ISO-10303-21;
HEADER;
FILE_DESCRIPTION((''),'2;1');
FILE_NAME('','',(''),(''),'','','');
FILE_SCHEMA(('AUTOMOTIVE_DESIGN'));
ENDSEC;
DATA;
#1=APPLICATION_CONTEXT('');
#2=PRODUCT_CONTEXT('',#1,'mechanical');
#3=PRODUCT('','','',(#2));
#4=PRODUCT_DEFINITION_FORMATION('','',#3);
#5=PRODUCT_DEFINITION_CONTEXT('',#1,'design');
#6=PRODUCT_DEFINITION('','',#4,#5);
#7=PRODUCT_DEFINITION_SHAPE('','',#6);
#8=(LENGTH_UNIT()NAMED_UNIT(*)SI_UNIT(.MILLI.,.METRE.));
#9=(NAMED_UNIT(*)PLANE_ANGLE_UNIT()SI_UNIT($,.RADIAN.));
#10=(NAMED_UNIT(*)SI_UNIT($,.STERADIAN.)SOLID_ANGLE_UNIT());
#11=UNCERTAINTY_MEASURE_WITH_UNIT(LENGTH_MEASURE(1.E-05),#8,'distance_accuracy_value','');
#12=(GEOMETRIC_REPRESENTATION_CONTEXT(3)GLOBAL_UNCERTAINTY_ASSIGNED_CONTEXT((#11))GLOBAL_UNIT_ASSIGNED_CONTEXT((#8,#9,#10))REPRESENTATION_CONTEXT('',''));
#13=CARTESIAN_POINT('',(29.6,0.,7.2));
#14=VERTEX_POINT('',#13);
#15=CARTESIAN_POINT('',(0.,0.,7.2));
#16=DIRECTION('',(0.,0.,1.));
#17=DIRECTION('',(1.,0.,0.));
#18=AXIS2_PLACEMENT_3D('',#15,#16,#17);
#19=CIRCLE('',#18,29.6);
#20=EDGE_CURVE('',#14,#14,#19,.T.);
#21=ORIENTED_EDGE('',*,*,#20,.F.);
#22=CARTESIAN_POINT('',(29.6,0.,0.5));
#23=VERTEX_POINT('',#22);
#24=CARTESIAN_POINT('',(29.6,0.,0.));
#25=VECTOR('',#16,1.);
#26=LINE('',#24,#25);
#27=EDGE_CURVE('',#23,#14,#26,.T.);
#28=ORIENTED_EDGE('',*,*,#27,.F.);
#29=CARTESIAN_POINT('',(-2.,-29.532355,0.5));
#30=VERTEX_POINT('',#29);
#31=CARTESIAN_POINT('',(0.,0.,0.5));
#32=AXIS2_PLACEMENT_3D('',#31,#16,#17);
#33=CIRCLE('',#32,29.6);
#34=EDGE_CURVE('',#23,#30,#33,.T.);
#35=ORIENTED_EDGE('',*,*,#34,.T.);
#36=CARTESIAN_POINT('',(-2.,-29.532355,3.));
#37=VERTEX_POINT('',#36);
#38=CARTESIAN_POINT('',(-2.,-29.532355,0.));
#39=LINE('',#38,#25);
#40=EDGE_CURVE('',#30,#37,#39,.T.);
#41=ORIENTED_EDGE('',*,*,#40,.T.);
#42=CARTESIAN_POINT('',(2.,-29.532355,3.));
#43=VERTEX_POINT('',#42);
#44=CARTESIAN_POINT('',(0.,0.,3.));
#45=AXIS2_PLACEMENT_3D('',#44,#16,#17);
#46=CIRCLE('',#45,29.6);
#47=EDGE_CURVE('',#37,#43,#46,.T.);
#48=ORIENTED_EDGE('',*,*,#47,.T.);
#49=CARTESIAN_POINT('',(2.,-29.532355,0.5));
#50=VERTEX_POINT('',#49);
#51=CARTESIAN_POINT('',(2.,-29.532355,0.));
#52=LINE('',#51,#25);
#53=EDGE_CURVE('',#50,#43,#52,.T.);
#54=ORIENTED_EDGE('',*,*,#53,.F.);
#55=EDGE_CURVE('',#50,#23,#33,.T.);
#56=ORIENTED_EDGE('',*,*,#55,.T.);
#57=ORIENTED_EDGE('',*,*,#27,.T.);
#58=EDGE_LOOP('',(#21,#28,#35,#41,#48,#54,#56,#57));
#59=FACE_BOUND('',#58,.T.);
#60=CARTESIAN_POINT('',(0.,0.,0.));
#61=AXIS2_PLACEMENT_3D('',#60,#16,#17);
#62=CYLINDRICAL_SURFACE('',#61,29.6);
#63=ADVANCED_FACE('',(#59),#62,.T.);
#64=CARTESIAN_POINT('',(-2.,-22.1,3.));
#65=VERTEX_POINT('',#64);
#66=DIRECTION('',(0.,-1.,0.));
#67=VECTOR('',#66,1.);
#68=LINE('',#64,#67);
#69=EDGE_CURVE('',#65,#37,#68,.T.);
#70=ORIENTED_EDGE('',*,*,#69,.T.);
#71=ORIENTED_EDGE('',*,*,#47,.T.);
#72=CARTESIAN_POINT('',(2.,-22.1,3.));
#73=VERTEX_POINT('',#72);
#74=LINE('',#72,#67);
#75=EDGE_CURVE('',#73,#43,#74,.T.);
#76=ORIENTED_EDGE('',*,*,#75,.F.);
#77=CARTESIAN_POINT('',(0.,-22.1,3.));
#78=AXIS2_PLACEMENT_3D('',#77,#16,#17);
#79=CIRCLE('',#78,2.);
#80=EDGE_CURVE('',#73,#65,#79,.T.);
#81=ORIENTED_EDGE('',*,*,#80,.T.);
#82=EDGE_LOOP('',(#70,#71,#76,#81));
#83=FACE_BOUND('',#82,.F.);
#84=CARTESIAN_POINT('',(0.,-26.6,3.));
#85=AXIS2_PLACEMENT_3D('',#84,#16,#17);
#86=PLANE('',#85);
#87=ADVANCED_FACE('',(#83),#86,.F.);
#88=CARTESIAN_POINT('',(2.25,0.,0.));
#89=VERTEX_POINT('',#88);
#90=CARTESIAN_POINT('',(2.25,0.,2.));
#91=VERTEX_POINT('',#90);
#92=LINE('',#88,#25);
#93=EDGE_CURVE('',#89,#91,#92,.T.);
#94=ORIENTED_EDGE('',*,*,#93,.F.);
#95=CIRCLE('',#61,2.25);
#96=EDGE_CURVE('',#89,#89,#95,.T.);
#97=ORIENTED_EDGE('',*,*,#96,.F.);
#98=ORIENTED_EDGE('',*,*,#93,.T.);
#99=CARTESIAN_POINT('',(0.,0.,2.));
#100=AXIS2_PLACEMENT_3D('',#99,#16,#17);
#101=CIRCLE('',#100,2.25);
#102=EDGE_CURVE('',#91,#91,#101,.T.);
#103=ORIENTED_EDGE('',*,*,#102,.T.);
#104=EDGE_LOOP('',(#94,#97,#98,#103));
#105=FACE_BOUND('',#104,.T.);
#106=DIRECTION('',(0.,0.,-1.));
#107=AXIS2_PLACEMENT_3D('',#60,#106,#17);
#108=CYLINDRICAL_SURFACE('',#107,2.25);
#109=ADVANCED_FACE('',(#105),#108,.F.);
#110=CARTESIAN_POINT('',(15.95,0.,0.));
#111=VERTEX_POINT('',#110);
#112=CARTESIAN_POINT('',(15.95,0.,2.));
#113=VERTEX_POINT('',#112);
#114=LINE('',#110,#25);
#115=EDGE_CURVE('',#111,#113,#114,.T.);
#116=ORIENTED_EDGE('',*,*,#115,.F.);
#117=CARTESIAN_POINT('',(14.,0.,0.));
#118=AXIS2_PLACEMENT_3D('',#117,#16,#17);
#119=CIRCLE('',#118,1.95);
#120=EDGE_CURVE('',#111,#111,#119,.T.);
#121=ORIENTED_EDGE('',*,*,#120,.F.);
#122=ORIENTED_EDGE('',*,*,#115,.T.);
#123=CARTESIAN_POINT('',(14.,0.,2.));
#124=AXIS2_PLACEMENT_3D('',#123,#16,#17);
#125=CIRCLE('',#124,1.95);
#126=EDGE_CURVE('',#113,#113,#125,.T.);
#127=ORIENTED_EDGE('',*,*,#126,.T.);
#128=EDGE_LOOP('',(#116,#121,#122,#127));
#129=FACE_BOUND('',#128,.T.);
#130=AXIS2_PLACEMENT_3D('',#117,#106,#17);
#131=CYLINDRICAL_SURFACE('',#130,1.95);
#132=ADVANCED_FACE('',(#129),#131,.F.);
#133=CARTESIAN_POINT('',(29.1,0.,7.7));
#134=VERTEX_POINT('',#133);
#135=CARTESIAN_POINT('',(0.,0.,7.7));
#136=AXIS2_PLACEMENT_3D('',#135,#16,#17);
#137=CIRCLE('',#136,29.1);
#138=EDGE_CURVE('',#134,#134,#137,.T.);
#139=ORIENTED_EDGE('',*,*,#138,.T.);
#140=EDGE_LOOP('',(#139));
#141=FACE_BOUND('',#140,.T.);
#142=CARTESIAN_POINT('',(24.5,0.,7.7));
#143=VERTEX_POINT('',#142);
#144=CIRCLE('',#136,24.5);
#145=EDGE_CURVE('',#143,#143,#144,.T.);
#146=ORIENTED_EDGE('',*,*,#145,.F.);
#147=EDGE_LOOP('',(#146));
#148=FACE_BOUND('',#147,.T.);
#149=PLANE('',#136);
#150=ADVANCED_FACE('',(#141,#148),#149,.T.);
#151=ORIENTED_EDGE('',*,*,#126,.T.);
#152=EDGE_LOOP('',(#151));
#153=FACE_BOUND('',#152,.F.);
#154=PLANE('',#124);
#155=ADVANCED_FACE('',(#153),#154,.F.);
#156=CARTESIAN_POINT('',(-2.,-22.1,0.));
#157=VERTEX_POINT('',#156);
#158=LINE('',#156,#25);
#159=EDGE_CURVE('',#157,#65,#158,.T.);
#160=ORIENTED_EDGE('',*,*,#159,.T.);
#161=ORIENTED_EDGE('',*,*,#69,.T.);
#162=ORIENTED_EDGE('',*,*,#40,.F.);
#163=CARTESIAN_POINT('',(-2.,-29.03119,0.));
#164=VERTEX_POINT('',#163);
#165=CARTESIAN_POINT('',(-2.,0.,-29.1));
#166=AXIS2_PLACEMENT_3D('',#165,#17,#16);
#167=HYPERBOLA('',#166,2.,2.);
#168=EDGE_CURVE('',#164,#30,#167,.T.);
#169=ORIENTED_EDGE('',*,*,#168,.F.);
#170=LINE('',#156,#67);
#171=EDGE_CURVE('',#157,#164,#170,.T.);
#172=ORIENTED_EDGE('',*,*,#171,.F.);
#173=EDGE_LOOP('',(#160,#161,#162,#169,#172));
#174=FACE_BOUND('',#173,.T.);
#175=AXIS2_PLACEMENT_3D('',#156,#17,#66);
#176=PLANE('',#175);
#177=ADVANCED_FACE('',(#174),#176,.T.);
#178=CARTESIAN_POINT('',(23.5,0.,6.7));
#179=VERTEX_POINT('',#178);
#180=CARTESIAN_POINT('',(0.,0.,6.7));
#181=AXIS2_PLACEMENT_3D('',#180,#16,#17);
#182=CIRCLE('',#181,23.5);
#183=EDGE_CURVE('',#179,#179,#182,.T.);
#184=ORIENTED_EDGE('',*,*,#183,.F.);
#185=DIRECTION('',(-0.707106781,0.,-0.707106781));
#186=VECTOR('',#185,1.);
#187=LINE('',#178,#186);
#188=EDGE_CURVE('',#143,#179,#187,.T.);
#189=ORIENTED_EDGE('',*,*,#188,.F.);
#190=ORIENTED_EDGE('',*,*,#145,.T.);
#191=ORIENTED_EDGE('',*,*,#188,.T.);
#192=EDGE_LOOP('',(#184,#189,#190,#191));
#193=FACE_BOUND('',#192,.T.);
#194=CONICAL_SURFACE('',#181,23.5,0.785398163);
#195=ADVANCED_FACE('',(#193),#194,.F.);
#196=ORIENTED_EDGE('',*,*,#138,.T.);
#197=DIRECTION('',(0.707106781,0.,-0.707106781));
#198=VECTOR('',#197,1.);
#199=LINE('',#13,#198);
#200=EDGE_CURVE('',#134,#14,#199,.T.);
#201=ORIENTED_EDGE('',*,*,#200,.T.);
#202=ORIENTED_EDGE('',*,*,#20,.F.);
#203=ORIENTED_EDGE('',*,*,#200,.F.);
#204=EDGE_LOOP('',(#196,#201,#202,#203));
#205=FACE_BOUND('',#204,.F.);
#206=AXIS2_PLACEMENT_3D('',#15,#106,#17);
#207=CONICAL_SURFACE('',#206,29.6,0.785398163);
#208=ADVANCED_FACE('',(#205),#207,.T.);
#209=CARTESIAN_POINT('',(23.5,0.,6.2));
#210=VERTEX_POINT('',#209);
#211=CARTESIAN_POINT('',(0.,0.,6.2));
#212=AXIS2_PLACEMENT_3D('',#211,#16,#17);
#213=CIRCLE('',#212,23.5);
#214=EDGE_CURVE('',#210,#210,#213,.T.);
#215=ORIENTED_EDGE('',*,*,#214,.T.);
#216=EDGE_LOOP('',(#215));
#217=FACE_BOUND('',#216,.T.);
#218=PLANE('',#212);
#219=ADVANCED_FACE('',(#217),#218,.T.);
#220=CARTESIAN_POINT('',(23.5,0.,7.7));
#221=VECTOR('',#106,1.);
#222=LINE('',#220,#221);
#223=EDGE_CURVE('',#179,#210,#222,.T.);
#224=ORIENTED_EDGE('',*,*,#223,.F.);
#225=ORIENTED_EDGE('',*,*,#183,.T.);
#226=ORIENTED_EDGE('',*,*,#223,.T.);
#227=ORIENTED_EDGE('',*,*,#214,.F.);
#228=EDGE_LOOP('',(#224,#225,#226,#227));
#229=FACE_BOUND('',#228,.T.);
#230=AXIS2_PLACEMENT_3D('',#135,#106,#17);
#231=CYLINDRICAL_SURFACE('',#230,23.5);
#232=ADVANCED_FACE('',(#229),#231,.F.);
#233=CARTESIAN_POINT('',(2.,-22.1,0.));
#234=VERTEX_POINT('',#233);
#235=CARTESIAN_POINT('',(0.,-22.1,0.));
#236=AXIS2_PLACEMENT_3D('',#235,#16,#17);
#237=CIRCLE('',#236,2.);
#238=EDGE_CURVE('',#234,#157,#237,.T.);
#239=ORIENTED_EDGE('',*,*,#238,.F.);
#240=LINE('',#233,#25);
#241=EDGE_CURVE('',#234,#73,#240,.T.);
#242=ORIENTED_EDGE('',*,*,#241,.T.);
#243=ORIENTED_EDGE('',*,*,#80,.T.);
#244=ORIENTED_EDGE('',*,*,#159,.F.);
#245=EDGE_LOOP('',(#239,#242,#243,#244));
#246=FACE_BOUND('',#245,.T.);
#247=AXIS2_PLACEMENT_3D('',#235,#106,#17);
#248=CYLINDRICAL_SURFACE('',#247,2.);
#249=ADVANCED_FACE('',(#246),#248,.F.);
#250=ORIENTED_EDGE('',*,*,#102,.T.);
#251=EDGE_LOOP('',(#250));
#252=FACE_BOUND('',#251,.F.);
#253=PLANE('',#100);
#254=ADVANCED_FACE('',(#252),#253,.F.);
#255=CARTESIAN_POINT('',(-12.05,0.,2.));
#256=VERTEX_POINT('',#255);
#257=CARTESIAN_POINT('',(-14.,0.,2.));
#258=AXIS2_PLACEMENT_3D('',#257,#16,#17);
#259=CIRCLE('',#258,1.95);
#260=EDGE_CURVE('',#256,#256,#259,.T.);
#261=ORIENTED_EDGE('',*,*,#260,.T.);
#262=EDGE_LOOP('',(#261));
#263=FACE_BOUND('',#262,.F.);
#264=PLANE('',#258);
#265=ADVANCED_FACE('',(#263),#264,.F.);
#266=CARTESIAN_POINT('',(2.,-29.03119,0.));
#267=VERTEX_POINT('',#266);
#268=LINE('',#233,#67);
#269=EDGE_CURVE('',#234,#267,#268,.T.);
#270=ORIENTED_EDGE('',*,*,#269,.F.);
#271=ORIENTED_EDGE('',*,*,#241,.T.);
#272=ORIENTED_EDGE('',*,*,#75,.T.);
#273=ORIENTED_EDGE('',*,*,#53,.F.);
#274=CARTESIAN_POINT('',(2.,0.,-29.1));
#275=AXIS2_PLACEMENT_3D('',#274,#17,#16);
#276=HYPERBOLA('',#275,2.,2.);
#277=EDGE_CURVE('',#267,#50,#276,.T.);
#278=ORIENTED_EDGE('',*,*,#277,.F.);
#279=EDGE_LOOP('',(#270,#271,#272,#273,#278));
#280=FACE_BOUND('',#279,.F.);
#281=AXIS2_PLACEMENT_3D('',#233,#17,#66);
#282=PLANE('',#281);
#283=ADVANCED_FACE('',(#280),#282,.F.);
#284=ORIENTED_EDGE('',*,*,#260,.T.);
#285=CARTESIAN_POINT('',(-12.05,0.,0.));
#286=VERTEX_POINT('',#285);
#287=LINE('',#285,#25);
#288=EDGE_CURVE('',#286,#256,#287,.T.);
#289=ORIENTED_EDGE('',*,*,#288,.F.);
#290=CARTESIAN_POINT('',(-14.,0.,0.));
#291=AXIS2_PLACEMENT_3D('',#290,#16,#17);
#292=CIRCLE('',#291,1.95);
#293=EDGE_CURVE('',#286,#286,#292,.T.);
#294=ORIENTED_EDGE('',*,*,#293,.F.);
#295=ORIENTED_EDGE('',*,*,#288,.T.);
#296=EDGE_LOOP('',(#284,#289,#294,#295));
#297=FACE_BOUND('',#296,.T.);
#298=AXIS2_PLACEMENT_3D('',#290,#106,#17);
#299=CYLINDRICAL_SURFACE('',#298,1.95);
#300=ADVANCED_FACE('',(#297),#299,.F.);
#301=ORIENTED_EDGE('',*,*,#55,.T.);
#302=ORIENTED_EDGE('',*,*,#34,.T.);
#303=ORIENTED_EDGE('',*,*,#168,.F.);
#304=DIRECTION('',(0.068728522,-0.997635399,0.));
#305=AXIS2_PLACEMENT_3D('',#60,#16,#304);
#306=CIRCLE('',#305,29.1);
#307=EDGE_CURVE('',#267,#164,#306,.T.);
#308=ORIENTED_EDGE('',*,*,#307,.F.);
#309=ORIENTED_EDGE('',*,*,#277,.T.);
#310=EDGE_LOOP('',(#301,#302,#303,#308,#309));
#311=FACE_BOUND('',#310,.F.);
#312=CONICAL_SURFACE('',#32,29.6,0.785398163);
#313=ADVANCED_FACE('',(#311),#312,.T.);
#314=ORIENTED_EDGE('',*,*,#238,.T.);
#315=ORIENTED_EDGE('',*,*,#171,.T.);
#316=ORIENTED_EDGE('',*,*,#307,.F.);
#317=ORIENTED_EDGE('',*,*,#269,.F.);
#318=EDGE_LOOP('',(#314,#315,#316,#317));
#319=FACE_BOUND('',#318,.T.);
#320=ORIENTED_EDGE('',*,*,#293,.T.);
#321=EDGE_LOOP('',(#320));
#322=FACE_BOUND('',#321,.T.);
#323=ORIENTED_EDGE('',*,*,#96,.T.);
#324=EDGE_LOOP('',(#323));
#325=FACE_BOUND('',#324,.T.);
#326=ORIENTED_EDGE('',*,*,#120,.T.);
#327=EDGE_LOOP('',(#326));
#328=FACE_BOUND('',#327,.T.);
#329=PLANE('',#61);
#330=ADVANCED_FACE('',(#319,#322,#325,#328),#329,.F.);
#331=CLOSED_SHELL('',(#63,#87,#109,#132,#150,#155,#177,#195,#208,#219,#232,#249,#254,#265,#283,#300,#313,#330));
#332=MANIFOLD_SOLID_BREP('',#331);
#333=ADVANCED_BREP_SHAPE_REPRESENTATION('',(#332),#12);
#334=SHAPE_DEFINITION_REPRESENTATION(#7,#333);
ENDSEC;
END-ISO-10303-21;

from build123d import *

# Parameters (mm, degrees)
CHAMFER_SIZE    = 1
SKETCH001_R     = 2.25
SKETCH001_R_2   = 1.95
POCKET_DEPTH    = 2
CHAMFER001_SIZE = 0.5
POCKET001_DEPTH = 3


with BuildPart() as part:
    # Sketch (on XZ_Plane of Origin) → Revolution (revolve)
    with BuildSketch(Plane.XZ):
        Polygon((0, 0), (29.6, 0), (29.6, 7.7), (23.5, 7.7), (23.5, 6.2), (0, 6.2), align=None)
    revolve(axis=Axis((0, 0, 0), (0, 0, 1)))

    # Chamfer
    chamfer_edges = [part.edges().sort_by_distance(p)[0] for p in [
        (-23.5, 0, 7.7),
    ]]
    chamfer(chamfer_edges, length=CHAMFER_SIZE)

    # Sketch001 (on XY_Plane of Origin) → Pocket (cut)
    with BuildSketch(Plane.XY):
        Circle(SKETCH001_R)
        with Locations((14, 0)):
            Circle(SKETCH001_R_2)
        with Locations((-14, 0)):
            Circle(SKETCH001_R_2)
    extrude(amount=POCKET_DEPTH, mode=Mode.SUBTRACT)

    # Chamfer001
    chamfer001_edges = [part.edges().sort_by_distance(p)[0] for p in [
        (-29.6, 0, 7.7),
        (-29.6, 0, 0),
    ]]
    chamfer(chamfer001_edges, length=CHAMFER001_SIZE)

    # Sketch002 (on XY_Plane of Origin) → Pocket001 (cut)
    with BuildSketch(Plane.XY):
        with BuildLine():
            ThreePointArc((2, -22.1), (0, -20.1), (-2, -22.1))
            Line((-2, -22.1), (-2, -31.1))
            ThreePointArc((-2, -31.1), (0, -33.1), (2, -31.1))
            Line((2, -22.1), (2, -31.1))
        make_face()
    extrude(amount=POCKET001_DEPTH, mode=Mode.SUBTRACT)


solid = part.part
